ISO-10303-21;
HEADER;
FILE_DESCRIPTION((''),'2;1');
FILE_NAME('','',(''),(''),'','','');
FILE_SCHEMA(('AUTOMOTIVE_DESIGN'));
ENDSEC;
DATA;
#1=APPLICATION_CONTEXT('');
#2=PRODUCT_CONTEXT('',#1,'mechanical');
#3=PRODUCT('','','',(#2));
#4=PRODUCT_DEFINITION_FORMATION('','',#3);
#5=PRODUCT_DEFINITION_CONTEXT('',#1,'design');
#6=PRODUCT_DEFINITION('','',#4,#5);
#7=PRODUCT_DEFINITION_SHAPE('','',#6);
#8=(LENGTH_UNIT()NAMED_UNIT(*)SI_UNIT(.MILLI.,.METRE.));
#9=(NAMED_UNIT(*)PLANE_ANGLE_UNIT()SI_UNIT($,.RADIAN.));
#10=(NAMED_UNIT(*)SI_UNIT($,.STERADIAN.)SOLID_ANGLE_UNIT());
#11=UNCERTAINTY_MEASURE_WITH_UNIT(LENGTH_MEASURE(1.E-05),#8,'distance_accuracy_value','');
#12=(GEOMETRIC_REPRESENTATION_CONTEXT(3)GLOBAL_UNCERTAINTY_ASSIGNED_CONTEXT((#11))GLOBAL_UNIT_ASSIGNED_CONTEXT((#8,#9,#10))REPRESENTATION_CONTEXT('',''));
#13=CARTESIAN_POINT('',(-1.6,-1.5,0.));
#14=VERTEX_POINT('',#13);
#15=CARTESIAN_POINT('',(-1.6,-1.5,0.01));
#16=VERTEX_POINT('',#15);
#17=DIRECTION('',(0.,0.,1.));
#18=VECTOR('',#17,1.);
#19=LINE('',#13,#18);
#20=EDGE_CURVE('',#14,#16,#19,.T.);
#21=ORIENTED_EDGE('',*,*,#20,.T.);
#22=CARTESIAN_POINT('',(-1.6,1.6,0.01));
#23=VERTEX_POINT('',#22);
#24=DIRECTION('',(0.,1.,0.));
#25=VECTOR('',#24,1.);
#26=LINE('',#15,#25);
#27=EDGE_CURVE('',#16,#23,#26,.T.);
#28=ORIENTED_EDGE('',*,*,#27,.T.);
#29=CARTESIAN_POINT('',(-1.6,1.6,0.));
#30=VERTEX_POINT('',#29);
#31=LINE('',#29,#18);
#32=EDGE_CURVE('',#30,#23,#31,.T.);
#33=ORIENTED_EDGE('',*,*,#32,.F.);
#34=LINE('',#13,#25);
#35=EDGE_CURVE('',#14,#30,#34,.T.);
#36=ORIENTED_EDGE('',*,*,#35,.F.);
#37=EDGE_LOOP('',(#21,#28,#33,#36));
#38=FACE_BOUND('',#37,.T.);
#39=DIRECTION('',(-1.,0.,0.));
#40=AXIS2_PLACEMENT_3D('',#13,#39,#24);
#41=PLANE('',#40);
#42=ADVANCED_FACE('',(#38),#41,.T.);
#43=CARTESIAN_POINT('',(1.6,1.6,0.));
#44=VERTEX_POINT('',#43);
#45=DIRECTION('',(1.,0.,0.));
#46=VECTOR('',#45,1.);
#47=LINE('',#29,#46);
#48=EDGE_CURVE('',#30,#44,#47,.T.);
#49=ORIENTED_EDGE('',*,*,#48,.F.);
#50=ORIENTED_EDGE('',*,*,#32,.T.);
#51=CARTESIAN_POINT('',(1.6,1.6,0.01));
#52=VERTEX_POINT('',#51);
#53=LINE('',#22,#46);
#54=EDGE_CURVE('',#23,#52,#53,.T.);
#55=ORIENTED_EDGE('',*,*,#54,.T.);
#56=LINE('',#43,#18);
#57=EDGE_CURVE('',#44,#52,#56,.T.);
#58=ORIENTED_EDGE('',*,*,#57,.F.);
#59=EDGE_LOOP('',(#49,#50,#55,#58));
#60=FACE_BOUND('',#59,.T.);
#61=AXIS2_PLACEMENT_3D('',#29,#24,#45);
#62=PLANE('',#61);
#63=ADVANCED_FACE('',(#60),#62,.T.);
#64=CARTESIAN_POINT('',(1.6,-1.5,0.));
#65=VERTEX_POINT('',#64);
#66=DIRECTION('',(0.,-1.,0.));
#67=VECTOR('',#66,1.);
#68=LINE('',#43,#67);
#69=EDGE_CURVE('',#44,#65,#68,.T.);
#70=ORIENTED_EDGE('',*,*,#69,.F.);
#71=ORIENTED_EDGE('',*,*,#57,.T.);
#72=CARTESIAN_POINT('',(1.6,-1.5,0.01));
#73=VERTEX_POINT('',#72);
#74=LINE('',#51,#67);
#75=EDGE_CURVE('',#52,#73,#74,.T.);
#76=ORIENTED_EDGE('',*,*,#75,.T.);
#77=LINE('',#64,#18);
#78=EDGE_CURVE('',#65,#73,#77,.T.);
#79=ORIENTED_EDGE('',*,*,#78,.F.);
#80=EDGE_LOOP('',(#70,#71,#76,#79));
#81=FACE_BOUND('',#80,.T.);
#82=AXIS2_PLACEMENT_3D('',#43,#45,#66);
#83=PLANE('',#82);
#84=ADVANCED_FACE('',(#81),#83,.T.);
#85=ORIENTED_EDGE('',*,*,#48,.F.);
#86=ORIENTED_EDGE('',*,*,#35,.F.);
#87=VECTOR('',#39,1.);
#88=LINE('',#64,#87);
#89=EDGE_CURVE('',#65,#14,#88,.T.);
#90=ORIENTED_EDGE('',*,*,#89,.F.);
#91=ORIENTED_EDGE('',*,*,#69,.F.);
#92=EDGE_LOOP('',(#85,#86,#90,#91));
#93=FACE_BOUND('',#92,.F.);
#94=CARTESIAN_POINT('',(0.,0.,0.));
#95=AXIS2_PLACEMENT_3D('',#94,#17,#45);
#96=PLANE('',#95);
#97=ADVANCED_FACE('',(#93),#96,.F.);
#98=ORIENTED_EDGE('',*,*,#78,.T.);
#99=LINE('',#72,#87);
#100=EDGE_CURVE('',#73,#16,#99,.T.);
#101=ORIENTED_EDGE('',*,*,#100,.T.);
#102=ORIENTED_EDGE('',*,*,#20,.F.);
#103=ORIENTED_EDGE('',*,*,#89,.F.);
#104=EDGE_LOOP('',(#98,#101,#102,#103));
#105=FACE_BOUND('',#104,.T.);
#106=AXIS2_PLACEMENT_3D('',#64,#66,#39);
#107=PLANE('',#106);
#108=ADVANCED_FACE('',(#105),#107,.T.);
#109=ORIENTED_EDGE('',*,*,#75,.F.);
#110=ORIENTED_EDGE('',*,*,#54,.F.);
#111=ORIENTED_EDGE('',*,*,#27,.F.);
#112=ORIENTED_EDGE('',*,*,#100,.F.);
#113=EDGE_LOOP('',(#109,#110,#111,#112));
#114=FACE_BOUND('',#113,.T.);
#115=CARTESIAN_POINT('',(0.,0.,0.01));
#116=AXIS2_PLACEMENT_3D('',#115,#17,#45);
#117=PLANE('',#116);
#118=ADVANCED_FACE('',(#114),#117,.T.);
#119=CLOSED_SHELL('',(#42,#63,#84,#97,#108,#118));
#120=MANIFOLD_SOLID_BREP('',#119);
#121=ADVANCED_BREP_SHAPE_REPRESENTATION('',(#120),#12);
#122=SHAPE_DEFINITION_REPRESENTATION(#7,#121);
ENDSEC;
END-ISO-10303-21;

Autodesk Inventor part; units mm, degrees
ref_plane "YZ Plane" through (0, 0, 0) normal (1, 0, 0) x (0, 1, 0)
ref_plane "XZ Plane" through (0, 0, 0) normal (0, 1, 0) x (-1, 0, 0)
ref_plane "XY Plane" through (0, 0, 0) normal (0, 0, 1) x (1, 0, 0)
sketch "L-NR3010, 2_2UH_81" plane through (0, 0, 0) normal (0, 0, 1) x (1, 0, 0)
  line L0 (-1.6, 1.6) -> (1.6, 1.6)
  line L1 (1.6, 1.6) -> (1.6, -1.5)
  line L2 (1.6, -1.5) -> (-1.6, -1.5)
  line L3 (-1.6, -1.5) -> (-1.6, 1.6)
extrude "Extrusion1" add sketch "L-NR3010, 2_2UH_81" along normal blind 0.01
properties part number "2_2UH"
